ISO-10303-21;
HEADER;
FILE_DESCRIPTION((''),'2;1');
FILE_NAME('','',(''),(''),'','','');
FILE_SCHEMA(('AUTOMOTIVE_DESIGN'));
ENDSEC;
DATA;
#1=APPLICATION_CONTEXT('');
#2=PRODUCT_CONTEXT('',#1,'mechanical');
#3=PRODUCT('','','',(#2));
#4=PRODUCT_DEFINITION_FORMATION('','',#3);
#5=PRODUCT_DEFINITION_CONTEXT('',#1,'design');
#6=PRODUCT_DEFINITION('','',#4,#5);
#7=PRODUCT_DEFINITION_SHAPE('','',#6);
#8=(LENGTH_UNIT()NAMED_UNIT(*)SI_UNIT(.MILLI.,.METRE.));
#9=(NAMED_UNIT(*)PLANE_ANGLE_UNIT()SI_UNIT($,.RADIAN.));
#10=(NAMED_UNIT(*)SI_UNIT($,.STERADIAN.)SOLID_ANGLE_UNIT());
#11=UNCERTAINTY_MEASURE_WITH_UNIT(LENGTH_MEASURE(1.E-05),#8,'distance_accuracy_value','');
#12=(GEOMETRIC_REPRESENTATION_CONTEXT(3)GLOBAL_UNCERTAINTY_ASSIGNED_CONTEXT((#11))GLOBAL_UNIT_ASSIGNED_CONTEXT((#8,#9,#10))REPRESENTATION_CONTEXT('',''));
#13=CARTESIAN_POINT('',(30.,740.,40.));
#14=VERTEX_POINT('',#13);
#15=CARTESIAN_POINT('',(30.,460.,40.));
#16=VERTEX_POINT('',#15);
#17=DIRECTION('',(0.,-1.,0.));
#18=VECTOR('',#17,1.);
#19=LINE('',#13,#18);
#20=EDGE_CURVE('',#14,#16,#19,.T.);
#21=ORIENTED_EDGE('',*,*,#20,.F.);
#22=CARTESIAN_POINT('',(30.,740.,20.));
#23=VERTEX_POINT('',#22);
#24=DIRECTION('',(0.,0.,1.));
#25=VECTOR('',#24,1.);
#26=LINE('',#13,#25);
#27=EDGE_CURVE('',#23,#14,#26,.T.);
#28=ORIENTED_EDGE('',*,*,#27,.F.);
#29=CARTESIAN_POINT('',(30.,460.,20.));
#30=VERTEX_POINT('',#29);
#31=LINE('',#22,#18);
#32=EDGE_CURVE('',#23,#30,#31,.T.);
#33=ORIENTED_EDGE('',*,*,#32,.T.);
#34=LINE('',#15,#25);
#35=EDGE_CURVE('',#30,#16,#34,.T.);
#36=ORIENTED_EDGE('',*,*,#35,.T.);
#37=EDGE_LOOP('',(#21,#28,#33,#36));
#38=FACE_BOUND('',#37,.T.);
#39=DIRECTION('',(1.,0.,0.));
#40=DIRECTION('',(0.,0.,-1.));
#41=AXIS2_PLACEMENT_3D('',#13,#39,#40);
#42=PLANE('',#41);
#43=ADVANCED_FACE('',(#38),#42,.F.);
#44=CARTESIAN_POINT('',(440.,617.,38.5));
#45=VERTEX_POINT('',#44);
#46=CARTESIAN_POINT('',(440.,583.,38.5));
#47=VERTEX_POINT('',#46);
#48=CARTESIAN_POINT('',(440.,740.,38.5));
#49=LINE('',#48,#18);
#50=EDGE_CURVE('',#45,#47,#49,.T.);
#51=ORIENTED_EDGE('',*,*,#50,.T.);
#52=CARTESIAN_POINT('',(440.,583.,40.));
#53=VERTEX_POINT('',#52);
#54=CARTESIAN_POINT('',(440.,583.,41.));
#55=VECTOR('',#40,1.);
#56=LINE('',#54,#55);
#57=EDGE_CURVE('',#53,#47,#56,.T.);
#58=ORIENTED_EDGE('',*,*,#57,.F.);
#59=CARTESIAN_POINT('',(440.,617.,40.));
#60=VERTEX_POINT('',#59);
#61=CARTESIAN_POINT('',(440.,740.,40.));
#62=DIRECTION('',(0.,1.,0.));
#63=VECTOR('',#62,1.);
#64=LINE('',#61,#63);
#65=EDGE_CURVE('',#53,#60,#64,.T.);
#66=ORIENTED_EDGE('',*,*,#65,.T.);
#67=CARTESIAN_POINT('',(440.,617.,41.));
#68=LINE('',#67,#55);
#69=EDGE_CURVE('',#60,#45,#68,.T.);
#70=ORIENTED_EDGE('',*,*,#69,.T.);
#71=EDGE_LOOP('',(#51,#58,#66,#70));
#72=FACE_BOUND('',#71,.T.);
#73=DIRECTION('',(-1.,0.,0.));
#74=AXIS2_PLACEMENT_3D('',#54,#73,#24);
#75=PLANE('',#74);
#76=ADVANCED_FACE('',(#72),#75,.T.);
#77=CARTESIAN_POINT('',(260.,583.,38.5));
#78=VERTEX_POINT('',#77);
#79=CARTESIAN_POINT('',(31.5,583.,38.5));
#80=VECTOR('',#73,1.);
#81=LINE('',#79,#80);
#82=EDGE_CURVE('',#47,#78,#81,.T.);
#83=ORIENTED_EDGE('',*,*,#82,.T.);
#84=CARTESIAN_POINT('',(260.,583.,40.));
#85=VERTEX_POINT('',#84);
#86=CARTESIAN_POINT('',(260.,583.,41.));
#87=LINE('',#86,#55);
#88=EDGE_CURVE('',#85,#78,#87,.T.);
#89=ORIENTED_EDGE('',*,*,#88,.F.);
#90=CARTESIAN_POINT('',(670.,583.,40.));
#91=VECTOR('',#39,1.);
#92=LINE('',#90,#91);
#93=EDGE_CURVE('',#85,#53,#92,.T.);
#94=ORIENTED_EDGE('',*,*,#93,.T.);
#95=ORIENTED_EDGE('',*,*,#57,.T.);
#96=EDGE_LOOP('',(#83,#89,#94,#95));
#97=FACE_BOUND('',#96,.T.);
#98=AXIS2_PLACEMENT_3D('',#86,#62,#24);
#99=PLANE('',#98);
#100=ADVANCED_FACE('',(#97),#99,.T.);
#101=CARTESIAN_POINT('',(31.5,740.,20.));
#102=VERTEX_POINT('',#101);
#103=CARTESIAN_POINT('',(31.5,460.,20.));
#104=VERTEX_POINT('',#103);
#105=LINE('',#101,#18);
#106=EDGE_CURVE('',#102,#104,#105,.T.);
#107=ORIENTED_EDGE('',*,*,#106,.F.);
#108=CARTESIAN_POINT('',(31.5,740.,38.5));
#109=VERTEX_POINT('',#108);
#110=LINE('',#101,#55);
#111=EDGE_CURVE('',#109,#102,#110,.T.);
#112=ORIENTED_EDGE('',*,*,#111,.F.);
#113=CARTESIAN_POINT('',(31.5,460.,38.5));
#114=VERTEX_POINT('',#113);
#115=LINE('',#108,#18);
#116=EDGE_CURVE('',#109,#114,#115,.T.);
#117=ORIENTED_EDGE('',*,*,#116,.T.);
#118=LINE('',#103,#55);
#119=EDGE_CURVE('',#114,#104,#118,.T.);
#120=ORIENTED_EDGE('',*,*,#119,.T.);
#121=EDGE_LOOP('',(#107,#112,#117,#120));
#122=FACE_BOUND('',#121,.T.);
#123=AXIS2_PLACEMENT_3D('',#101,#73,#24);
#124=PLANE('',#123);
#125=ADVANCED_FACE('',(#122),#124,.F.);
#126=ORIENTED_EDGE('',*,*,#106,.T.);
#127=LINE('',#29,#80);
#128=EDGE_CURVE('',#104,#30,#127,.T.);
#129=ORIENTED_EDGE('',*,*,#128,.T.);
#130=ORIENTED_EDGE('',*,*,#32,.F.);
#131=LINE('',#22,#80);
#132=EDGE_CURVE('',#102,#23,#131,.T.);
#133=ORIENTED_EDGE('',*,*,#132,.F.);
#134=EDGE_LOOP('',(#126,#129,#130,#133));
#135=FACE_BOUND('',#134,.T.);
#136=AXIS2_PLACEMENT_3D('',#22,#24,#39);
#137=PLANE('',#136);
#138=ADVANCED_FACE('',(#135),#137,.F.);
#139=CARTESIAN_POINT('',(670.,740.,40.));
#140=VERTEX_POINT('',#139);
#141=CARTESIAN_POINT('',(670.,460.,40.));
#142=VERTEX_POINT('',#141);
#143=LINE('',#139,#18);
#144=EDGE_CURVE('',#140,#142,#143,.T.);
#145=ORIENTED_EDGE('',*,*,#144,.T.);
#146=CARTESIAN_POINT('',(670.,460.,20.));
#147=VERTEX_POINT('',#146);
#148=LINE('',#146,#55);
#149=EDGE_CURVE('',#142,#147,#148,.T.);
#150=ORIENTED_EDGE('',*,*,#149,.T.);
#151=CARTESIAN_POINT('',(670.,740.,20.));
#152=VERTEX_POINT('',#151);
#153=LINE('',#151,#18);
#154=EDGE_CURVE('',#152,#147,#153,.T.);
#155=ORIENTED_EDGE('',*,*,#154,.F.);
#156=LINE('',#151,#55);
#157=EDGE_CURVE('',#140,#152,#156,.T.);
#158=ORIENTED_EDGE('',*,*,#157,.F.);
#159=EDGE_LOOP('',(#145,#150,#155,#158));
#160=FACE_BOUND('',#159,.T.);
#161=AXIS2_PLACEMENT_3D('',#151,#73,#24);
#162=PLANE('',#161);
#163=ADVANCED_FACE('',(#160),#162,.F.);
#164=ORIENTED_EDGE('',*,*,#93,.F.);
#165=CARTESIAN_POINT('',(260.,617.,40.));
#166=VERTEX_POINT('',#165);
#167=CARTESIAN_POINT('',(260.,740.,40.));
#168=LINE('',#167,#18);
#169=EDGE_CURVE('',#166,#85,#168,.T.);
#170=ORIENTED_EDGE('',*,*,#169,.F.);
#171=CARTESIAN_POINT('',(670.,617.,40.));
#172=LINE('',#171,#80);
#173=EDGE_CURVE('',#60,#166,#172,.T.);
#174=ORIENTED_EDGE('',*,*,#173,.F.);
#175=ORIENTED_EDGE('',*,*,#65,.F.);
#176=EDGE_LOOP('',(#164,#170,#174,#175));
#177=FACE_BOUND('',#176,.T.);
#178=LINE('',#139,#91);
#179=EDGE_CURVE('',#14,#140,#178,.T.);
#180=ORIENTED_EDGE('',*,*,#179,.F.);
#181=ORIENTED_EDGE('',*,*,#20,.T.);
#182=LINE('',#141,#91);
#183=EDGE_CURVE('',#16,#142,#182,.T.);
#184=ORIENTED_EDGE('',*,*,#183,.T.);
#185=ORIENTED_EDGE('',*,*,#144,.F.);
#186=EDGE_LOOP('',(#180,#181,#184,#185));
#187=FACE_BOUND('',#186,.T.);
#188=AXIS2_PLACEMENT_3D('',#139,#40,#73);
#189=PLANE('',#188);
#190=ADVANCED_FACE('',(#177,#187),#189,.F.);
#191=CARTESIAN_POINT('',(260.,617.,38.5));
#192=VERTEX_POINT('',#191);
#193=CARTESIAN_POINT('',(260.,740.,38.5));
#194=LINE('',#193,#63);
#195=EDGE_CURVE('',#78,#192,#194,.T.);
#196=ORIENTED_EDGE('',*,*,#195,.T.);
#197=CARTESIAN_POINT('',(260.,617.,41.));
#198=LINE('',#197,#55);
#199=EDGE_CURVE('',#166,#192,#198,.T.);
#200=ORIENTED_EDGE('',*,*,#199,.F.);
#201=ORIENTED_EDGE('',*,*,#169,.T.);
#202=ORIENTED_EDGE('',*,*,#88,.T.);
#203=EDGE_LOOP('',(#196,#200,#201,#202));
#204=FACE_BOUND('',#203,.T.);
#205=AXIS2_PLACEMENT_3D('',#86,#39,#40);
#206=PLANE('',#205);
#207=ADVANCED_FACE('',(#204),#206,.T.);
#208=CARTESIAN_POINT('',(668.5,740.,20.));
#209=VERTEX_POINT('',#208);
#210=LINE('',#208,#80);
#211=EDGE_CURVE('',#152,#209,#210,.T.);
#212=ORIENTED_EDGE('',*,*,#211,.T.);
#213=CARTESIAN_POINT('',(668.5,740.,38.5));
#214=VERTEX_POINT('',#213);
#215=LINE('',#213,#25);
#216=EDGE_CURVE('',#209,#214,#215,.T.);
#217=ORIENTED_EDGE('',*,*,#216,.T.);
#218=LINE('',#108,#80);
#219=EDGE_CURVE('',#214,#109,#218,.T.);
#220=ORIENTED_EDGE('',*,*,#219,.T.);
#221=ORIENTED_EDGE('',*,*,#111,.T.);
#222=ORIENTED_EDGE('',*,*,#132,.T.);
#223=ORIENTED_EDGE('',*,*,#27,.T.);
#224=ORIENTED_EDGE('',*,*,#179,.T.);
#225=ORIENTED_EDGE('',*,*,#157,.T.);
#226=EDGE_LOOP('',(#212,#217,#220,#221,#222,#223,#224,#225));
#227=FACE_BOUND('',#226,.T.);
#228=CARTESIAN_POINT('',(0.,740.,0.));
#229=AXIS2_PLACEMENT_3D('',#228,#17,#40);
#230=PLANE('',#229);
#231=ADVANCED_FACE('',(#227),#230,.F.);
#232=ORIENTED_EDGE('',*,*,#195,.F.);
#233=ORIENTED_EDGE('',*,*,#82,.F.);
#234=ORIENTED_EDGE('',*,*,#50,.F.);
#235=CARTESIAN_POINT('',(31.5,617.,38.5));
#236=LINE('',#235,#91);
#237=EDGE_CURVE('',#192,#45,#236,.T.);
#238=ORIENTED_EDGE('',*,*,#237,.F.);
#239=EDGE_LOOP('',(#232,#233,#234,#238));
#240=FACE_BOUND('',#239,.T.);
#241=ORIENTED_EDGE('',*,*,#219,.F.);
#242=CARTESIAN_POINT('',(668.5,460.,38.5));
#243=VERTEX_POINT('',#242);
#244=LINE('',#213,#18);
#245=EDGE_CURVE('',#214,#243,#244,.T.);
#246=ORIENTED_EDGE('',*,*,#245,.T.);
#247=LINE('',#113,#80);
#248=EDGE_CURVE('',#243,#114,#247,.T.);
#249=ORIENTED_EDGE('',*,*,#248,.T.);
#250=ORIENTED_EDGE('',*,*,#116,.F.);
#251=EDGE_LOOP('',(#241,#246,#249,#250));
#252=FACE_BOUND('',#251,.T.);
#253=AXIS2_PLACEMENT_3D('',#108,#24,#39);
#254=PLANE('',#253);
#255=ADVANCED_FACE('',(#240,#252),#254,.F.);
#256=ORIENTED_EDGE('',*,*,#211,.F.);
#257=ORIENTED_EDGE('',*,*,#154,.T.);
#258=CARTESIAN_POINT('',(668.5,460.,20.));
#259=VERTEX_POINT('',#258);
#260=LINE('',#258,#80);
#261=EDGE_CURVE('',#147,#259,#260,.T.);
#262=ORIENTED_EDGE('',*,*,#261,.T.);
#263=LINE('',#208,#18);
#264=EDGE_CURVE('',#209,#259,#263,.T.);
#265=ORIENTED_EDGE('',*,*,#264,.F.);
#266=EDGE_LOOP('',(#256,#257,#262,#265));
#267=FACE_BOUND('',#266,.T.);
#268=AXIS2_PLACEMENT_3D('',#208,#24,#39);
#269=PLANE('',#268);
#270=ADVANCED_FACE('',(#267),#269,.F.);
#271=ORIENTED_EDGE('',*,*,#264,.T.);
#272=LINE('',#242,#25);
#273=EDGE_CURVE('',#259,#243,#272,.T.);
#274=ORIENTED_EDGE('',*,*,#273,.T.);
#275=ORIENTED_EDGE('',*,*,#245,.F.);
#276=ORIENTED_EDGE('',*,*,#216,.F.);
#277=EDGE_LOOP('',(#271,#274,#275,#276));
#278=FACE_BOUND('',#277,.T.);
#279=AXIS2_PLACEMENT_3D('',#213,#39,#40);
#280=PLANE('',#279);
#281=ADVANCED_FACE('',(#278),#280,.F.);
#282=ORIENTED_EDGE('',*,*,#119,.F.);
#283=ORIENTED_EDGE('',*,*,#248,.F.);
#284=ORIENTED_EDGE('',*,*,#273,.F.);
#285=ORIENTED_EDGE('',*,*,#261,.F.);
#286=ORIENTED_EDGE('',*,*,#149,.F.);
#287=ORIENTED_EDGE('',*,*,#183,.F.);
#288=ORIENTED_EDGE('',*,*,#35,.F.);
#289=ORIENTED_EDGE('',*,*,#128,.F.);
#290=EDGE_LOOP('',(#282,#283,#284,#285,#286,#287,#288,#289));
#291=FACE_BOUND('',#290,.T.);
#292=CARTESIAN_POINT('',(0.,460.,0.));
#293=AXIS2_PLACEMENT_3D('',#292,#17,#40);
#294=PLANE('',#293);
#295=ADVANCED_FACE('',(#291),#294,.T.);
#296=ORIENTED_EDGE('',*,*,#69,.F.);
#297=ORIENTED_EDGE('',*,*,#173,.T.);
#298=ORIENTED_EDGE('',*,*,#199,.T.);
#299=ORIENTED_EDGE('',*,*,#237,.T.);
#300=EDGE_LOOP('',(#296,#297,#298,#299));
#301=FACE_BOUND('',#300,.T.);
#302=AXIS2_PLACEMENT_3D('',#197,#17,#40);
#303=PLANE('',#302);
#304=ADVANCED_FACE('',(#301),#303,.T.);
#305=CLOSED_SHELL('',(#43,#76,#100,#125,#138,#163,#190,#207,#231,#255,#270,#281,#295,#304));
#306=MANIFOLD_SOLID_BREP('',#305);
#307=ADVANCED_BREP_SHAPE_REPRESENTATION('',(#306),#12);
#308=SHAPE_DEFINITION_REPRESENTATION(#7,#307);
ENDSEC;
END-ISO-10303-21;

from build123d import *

# Parameters (mm, degrees)
TOPPING_KLAPE_ALT1_KAPAK_1_START = 460
TOPPING_KLAPE_ALT1_KAPAK_1_DEPTH = 280
TOPPING_KLAPE_ALT1_KAPAK_2_START = 27
SKETCH2_W                        = 180
SKETCH2_H                        = 34
TOPPING_KLAPE_ALT1_KAPAK_2_DEPTH = 14


with BuildPart() as part:
    # Sketch1 → TOPPING_klape_alt1_kapak_1 (new body)
    with BuildSketch(Plane(origin=(0, 0, 0), x_dir=(1, 0, 0), z_dir=(0, 1, 0)).offset(TOPPING_KLAPE_ALT1_KAPAK_1_START)):
        Polygon((30, -40), (30, -20), (31.5, -20), (31.5, -38.5), (668.5, -38.5), (668.5, -20), (670, -20), (670, -40), align=None)
    extrude(amount=TOPPING_KLAPE_ALT1_KAPAK_1_DEPTH)

    # Sketch2 → TOPPING_klape_alt1_kapak_2 (cut)
    with BuildSketch(Plane.XY.offset(TOPPING_KLAPE_ALT1_KAPAK_2_START)):
        with Locations((350, 600)):
            Rectangle(SKETCH2_W, SKETCH2_H)
    extrude(amount=TOPPING_KLAPE_ALT1_KAPAK_2_DEPTH, mode=Mode.SUBTRACT)


solid = part.part
